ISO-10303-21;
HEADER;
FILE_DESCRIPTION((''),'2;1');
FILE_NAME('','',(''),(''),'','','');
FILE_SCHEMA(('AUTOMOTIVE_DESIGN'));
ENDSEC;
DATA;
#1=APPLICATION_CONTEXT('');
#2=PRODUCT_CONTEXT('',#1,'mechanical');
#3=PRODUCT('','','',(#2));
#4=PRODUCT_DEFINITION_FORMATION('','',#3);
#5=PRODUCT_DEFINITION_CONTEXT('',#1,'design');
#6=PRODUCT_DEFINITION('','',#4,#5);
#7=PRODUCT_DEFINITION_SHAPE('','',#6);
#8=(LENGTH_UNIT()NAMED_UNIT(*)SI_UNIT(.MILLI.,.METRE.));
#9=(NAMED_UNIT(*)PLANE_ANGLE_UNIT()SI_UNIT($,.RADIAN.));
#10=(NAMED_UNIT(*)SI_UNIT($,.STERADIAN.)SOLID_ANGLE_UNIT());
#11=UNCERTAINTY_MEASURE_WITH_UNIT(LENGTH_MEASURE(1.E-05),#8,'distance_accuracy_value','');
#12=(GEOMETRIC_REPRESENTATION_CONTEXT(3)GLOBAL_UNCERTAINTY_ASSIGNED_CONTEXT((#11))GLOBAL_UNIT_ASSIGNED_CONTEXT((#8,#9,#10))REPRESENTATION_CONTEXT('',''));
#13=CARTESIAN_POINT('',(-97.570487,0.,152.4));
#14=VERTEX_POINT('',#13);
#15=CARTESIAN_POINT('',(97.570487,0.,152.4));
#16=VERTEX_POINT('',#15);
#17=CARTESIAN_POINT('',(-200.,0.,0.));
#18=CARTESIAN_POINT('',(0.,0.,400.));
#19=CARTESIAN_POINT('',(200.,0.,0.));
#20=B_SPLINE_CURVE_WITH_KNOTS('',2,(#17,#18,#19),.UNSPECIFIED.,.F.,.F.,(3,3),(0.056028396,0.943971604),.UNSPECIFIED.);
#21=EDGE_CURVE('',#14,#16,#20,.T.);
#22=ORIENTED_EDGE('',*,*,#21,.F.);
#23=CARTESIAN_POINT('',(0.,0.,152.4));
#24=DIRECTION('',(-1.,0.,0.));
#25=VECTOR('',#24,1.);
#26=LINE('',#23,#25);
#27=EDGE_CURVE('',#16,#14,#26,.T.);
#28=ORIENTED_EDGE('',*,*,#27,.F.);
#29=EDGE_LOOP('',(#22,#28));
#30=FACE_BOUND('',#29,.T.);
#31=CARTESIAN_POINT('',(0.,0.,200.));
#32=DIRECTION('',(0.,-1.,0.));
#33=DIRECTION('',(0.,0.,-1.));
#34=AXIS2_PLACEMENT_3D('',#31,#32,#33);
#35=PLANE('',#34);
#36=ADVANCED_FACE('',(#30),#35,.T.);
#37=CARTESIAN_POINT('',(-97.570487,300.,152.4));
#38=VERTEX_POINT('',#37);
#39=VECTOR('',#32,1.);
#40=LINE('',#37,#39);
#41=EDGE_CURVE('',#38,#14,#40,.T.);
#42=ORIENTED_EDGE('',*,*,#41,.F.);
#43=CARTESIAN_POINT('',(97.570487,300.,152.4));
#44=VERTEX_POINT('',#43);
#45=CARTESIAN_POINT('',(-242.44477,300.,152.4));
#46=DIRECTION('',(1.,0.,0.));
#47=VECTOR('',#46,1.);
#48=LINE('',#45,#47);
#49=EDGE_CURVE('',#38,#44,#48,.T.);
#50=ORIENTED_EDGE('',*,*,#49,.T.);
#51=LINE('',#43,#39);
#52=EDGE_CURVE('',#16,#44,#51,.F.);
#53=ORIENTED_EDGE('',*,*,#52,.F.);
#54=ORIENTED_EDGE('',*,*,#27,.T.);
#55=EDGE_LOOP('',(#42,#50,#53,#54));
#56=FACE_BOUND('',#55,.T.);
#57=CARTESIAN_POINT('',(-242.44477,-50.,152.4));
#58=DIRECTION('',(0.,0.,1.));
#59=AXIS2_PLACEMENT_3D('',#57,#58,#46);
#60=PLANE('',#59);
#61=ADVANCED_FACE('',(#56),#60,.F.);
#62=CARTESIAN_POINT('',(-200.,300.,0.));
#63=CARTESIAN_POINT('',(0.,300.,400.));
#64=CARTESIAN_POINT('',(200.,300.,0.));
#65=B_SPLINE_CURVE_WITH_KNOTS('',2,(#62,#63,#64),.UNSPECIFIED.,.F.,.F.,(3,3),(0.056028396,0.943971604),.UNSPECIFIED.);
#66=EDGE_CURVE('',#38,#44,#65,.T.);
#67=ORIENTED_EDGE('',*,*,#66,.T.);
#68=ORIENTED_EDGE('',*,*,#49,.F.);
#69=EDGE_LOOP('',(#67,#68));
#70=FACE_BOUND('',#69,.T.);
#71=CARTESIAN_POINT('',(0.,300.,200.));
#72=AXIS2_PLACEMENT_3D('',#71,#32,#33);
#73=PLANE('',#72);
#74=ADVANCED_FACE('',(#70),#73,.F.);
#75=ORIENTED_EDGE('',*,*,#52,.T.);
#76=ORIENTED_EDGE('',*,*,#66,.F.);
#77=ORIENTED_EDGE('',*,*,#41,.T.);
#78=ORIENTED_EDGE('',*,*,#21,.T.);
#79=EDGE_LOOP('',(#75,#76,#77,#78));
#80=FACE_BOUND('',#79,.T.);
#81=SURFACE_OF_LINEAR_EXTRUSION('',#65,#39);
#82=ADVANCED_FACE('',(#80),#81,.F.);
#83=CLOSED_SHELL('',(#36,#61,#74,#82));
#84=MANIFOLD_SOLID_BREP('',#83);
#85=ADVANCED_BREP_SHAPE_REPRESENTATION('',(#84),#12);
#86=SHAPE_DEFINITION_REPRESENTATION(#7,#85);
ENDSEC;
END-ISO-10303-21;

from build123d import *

# Parameters (mm, degrees)
BOSS_EXTRUDE1_DEPTH = 300
SKETCH2_W           = 519.492819312
SKETCH2_H           = 169.467341569
CUT_EXTRUDE1_DEPTH  = 350


with BuildPart() as part:
    # Sketch1 → Boss-Extrude1 (new body)
    with BuildSketch(Plane(origin=(0, 0, 0), x_dir=(1, 0, 0), z_dir=(0, 1, 0))):
        with BuildLine():
            Line((-200, 1e-09), (200, 1e-09))
            add(Edge.make_bspline(
                [(-200, 1e-09), (0, -400.000000001), (200, 1e-09)],
                knots=[0.056028396, 0.056028396, 0.056028396, 0.943971604, 0.943971604, 0.943971604], degree=2))
        make_face()
    extrude(amount=BOSS_EXTRUDE1_DEPTH)

    # Sketch2 → Cut-Extrude1 (cut)
    with BuildSketch(Plane(origin=(0, 300, 0), x_dir=(1, 0, 0), z_dir=(0, 1, 0))):
        with Locations((17.301639584, -67.666329215)):
            Rectangle(SKETCH2_W, SKETCH2_H)
    extrude(amount=-CUT_EXTRUDE1_DEPTH, mode=Mode.SUBTRACT)


solid = part.part
